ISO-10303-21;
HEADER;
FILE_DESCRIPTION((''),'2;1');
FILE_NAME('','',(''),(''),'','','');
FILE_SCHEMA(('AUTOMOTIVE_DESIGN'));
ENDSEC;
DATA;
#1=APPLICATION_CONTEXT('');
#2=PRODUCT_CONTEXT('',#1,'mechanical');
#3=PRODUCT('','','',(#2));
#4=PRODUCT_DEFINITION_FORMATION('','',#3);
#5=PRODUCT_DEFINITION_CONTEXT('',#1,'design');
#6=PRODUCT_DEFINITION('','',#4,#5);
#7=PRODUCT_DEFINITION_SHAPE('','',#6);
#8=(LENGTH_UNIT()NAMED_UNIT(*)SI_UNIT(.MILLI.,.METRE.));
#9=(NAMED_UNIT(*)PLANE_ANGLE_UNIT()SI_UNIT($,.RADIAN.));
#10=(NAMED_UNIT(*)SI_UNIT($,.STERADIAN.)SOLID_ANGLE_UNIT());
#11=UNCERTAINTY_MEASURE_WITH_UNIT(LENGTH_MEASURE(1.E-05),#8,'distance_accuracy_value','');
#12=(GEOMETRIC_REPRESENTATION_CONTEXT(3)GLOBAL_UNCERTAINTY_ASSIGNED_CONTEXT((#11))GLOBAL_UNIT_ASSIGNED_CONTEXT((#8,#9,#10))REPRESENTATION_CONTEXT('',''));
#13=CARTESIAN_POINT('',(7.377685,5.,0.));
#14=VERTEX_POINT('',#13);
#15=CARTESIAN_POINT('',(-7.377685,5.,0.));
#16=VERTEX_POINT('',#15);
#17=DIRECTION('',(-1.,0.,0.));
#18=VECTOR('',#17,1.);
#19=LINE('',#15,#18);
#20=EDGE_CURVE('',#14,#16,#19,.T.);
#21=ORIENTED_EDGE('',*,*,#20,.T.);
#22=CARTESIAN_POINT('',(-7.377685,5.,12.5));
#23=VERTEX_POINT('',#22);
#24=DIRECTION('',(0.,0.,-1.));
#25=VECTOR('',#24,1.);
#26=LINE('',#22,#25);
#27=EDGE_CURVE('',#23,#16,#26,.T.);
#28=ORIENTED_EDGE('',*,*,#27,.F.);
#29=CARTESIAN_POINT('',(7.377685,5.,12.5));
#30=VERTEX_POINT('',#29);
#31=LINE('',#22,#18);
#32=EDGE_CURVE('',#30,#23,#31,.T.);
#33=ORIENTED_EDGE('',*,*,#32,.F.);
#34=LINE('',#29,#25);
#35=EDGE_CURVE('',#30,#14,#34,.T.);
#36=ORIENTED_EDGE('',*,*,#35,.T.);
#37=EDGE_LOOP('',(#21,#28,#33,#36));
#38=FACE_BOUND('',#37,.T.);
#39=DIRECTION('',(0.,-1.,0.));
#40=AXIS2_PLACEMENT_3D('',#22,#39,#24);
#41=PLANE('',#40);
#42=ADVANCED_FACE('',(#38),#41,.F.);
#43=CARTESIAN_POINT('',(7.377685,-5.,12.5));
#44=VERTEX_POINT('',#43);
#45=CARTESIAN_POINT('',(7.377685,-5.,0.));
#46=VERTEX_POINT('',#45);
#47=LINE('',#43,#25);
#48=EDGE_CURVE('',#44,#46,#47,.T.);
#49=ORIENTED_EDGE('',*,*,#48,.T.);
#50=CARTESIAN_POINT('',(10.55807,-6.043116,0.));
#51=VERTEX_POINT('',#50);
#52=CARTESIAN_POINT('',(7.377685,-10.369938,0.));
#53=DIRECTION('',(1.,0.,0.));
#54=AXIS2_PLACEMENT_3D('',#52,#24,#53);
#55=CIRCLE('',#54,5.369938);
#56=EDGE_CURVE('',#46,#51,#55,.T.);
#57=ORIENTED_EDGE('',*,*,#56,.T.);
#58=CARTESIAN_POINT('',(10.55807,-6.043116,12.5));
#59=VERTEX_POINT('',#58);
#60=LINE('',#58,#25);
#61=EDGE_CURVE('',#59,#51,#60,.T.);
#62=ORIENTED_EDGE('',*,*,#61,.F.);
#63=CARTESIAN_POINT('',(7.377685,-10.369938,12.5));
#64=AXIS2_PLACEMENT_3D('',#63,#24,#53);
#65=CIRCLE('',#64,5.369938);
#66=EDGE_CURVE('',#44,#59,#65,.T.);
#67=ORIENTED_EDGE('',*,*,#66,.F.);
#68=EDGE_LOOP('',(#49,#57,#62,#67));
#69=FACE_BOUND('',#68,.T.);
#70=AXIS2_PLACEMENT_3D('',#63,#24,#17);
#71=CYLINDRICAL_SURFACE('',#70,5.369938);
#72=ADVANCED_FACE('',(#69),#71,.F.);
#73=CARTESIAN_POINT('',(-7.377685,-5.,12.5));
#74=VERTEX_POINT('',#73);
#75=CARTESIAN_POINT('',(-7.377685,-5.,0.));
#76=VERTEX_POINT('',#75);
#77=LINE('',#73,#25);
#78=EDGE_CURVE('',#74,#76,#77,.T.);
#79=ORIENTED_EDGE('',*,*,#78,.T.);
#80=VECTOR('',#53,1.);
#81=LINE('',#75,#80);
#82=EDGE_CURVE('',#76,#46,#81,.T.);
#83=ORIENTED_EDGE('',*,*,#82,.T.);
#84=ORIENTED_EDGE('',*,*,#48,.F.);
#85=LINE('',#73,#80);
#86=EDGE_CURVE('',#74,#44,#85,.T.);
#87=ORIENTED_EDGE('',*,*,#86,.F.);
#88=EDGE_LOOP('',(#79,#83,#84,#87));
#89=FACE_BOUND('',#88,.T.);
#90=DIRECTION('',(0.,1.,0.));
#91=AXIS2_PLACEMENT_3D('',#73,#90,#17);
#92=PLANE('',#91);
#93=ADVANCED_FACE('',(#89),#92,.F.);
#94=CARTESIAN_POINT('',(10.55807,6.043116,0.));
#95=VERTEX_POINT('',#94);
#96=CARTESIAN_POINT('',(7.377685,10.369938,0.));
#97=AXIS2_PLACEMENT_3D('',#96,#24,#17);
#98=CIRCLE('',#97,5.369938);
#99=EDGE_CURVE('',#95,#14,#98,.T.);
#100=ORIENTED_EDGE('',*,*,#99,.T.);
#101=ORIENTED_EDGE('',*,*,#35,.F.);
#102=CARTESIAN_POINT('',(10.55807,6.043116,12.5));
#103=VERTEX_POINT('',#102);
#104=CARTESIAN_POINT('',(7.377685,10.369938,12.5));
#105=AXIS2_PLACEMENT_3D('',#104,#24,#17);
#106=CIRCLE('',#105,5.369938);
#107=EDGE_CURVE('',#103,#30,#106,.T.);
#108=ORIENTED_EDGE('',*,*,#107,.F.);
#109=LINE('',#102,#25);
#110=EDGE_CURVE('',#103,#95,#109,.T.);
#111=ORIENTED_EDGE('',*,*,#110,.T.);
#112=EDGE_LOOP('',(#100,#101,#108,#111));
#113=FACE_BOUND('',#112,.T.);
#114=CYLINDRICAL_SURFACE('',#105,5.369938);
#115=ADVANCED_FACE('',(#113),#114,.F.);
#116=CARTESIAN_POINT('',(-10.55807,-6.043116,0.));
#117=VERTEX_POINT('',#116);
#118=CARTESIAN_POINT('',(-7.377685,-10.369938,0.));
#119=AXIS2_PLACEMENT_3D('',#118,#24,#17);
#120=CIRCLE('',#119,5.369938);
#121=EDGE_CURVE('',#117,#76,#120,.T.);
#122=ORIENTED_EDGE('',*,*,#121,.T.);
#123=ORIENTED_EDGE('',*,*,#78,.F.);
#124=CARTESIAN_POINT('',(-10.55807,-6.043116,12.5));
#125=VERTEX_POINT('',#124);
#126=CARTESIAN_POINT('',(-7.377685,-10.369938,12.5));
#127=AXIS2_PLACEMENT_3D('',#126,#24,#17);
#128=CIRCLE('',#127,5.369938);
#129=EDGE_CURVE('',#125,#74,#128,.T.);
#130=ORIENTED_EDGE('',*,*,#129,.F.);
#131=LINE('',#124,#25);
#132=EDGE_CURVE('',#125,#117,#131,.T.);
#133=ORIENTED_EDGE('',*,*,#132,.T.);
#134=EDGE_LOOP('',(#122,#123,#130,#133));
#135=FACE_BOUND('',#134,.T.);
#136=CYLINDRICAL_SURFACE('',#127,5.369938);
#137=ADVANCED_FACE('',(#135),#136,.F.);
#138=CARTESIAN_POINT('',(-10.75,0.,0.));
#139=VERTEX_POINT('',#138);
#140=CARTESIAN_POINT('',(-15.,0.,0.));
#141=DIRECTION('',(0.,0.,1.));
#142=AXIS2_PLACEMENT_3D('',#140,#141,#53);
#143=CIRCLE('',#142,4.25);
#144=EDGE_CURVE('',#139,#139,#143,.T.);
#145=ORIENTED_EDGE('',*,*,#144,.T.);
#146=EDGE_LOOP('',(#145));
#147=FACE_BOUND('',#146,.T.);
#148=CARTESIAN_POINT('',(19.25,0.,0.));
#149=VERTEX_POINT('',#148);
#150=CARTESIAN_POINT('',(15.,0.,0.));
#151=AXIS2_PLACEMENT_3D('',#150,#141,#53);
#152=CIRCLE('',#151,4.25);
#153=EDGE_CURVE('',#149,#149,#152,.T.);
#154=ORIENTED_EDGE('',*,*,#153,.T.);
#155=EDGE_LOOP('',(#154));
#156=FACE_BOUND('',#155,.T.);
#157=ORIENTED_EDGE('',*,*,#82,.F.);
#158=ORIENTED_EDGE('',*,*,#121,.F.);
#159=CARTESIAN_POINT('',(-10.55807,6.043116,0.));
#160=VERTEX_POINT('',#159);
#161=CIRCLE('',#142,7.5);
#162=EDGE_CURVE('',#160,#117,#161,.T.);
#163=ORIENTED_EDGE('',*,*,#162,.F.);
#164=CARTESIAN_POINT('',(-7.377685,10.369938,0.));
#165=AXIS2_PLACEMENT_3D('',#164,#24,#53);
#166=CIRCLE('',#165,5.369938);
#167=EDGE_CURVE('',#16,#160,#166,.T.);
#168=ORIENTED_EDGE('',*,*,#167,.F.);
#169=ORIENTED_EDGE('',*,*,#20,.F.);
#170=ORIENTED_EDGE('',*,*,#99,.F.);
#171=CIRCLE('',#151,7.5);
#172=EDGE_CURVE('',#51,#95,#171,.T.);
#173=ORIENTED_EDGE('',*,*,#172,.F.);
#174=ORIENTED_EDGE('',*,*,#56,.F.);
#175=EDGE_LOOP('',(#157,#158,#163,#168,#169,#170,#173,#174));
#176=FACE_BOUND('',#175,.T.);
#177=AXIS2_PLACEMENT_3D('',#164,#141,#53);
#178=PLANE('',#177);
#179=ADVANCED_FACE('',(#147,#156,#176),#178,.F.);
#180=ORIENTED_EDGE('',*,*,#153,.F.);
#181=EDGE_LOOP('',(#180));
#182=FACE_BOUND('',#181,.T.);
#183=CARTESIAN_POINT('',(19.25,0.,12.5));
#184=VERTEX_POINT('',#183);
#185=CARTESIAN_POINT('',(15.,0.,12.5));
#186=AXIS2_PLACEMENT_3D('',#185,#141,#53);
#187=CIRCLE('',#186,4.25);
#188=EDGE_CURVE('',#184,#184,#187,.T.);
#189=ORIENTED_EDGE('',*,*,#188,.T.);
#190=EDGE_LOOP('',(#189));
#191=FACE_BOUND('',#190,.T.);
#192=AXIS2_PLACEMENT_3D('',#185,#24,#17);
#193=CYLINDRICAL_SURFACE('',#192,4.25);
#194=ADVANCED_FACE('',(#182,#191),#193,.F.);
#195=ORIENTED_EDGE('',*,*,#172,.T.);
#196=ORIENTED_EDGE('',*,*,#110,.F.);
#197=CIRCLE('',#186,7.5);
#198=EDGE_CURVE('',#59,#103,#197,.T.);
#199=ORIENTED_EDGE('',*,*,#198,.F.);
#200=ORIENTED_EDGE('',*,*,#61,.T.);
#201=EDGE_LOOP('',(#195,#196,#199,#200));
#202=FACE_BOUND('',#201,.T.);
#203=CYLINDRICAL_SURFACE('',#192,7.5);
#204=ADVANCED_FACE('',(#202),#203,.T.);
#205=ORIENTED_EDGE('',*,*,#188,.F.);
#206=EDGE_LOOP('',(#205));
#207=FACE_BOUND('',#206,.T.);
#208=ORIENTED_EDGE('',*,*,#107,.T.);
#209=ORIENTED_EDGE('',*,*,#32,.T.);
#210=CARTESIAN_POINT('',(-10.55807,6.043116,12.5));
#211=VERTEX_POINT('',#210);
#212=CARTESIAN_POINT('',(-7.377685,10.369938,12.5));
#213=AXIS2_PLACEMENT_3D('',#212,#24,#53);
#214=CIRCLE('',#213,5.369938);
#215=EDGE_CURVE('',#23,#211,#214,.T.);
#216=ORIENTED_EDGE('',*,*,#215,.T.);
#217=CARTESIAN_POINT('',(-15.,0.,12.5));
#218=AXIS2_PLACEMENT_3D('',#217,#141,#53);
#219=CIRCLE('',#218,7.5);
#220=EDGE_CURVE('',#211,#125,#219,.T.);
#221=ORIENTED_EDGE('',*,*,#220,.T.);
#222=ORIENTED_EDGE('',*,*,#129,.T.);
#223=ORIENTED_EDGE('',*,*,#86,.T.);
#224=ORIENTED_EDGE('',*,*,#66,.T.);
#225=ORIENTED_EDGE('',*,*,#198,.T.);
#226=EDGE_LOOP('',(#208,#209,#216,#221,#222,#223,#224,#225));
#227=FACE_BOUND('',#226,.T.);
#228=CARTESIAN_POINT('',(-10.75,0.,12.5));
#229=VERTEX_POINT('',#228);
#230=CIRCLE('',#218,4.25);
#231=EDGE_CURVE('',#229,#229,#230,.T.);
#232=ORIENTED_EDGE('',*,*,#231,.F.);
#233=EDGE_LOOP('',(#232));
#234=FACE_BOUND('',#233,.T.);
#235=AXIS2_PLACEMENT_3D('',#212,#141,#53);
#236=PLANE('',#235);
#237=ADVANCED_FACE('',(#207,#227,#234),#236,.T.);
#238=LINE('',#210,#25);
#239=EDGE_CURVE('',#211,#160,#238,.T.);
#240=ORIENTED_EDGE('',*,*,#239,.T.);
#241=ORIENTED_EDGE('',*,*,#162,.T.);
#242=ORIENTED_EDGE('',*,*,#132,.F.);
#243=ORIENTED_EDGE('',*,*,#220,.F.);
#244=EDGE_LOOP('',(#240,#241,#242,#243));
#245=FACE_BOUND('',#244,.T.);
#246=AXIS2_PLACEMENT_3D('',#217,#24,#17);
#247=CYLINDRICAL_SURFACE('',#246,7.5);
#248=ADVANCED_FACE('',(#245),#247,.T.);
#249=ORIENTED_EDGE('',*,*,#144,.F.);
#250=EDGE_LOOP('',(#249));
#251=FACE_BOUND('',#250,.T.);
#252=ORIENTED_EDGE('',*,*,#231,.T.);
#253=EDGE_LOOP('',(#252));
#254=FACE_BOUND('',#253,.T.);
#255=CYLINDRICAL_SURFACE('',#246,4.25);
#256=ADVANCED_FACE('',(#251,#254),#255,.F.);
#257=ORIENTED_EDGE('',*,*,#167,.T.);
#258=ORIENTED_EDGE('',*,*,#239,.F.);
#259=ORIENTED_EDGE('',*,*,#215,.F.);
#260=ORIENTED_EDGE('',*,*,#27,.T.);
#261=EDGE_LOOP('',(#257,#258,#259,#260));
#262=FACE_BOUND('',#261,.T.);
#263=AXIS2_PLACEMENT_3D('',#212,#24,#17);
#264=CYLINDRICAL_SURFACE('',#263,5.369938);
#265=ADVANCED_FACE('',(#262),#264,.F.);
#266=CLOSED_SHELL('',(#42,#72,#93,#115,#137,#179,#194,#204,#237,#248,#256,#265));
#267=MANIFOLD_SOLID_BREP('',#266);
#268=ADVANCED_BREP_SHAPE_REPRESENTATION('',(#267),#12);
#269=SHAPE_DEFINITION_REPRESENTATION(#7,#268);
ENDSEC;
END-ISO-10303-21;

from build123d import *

# Parameters (mm, degrees)
CROQUIS1_R              = 4.25
SALIENTE_EXTRUIR1_DEPTH = 12.5


with BuildPart() as part:
    # Croquis1 → Saliente-Extruir1 (new body)
    with BuildSketch(Plane.XY):
        with BuildLine():
            Line((-7.377684836, -5), (7.377684836, -5))
            ThreePointArc((7.377684836, -5), (9.051224581, -5.267438742), (10.558069892, -6.04311649))
            ThreePointArc((10.558069892, -6.04311649), (22.5, 0), (10.558069892, 6.04311649))
            ThreePointArc((10.558069892, 6.04311649), (9.051224581, 5.267438742), (7.377684836, 5))
            Line((7.377684836, 5), (-7.377684836, 5))
            ThreePointArc((-7.377684836, 5), (-9.051224581, 5.267438742), (-10.558069892, 6.04311649))
            ThreePointArc((-10.558069892, 6.04311649), (-22.5, 0), (-10.558069892, -6.04311649))
            ThreePointArc((-10.558069892, -6.04311649), (-9.051224581, -5.267438742), (-7.377684836, -5))
        make_face()
        with Locations((-15, 0)):
            Circle(CROQUIS1_R, mode=Mode.SUBTRACT)
        with Locations((15, 0)):
            Circle(CROQUIS1_R, mode=Mode.SUBTRACT)
    extrude(amount=SALIENTE_EXTRUIR1_DEPTH)


solid = part.part
